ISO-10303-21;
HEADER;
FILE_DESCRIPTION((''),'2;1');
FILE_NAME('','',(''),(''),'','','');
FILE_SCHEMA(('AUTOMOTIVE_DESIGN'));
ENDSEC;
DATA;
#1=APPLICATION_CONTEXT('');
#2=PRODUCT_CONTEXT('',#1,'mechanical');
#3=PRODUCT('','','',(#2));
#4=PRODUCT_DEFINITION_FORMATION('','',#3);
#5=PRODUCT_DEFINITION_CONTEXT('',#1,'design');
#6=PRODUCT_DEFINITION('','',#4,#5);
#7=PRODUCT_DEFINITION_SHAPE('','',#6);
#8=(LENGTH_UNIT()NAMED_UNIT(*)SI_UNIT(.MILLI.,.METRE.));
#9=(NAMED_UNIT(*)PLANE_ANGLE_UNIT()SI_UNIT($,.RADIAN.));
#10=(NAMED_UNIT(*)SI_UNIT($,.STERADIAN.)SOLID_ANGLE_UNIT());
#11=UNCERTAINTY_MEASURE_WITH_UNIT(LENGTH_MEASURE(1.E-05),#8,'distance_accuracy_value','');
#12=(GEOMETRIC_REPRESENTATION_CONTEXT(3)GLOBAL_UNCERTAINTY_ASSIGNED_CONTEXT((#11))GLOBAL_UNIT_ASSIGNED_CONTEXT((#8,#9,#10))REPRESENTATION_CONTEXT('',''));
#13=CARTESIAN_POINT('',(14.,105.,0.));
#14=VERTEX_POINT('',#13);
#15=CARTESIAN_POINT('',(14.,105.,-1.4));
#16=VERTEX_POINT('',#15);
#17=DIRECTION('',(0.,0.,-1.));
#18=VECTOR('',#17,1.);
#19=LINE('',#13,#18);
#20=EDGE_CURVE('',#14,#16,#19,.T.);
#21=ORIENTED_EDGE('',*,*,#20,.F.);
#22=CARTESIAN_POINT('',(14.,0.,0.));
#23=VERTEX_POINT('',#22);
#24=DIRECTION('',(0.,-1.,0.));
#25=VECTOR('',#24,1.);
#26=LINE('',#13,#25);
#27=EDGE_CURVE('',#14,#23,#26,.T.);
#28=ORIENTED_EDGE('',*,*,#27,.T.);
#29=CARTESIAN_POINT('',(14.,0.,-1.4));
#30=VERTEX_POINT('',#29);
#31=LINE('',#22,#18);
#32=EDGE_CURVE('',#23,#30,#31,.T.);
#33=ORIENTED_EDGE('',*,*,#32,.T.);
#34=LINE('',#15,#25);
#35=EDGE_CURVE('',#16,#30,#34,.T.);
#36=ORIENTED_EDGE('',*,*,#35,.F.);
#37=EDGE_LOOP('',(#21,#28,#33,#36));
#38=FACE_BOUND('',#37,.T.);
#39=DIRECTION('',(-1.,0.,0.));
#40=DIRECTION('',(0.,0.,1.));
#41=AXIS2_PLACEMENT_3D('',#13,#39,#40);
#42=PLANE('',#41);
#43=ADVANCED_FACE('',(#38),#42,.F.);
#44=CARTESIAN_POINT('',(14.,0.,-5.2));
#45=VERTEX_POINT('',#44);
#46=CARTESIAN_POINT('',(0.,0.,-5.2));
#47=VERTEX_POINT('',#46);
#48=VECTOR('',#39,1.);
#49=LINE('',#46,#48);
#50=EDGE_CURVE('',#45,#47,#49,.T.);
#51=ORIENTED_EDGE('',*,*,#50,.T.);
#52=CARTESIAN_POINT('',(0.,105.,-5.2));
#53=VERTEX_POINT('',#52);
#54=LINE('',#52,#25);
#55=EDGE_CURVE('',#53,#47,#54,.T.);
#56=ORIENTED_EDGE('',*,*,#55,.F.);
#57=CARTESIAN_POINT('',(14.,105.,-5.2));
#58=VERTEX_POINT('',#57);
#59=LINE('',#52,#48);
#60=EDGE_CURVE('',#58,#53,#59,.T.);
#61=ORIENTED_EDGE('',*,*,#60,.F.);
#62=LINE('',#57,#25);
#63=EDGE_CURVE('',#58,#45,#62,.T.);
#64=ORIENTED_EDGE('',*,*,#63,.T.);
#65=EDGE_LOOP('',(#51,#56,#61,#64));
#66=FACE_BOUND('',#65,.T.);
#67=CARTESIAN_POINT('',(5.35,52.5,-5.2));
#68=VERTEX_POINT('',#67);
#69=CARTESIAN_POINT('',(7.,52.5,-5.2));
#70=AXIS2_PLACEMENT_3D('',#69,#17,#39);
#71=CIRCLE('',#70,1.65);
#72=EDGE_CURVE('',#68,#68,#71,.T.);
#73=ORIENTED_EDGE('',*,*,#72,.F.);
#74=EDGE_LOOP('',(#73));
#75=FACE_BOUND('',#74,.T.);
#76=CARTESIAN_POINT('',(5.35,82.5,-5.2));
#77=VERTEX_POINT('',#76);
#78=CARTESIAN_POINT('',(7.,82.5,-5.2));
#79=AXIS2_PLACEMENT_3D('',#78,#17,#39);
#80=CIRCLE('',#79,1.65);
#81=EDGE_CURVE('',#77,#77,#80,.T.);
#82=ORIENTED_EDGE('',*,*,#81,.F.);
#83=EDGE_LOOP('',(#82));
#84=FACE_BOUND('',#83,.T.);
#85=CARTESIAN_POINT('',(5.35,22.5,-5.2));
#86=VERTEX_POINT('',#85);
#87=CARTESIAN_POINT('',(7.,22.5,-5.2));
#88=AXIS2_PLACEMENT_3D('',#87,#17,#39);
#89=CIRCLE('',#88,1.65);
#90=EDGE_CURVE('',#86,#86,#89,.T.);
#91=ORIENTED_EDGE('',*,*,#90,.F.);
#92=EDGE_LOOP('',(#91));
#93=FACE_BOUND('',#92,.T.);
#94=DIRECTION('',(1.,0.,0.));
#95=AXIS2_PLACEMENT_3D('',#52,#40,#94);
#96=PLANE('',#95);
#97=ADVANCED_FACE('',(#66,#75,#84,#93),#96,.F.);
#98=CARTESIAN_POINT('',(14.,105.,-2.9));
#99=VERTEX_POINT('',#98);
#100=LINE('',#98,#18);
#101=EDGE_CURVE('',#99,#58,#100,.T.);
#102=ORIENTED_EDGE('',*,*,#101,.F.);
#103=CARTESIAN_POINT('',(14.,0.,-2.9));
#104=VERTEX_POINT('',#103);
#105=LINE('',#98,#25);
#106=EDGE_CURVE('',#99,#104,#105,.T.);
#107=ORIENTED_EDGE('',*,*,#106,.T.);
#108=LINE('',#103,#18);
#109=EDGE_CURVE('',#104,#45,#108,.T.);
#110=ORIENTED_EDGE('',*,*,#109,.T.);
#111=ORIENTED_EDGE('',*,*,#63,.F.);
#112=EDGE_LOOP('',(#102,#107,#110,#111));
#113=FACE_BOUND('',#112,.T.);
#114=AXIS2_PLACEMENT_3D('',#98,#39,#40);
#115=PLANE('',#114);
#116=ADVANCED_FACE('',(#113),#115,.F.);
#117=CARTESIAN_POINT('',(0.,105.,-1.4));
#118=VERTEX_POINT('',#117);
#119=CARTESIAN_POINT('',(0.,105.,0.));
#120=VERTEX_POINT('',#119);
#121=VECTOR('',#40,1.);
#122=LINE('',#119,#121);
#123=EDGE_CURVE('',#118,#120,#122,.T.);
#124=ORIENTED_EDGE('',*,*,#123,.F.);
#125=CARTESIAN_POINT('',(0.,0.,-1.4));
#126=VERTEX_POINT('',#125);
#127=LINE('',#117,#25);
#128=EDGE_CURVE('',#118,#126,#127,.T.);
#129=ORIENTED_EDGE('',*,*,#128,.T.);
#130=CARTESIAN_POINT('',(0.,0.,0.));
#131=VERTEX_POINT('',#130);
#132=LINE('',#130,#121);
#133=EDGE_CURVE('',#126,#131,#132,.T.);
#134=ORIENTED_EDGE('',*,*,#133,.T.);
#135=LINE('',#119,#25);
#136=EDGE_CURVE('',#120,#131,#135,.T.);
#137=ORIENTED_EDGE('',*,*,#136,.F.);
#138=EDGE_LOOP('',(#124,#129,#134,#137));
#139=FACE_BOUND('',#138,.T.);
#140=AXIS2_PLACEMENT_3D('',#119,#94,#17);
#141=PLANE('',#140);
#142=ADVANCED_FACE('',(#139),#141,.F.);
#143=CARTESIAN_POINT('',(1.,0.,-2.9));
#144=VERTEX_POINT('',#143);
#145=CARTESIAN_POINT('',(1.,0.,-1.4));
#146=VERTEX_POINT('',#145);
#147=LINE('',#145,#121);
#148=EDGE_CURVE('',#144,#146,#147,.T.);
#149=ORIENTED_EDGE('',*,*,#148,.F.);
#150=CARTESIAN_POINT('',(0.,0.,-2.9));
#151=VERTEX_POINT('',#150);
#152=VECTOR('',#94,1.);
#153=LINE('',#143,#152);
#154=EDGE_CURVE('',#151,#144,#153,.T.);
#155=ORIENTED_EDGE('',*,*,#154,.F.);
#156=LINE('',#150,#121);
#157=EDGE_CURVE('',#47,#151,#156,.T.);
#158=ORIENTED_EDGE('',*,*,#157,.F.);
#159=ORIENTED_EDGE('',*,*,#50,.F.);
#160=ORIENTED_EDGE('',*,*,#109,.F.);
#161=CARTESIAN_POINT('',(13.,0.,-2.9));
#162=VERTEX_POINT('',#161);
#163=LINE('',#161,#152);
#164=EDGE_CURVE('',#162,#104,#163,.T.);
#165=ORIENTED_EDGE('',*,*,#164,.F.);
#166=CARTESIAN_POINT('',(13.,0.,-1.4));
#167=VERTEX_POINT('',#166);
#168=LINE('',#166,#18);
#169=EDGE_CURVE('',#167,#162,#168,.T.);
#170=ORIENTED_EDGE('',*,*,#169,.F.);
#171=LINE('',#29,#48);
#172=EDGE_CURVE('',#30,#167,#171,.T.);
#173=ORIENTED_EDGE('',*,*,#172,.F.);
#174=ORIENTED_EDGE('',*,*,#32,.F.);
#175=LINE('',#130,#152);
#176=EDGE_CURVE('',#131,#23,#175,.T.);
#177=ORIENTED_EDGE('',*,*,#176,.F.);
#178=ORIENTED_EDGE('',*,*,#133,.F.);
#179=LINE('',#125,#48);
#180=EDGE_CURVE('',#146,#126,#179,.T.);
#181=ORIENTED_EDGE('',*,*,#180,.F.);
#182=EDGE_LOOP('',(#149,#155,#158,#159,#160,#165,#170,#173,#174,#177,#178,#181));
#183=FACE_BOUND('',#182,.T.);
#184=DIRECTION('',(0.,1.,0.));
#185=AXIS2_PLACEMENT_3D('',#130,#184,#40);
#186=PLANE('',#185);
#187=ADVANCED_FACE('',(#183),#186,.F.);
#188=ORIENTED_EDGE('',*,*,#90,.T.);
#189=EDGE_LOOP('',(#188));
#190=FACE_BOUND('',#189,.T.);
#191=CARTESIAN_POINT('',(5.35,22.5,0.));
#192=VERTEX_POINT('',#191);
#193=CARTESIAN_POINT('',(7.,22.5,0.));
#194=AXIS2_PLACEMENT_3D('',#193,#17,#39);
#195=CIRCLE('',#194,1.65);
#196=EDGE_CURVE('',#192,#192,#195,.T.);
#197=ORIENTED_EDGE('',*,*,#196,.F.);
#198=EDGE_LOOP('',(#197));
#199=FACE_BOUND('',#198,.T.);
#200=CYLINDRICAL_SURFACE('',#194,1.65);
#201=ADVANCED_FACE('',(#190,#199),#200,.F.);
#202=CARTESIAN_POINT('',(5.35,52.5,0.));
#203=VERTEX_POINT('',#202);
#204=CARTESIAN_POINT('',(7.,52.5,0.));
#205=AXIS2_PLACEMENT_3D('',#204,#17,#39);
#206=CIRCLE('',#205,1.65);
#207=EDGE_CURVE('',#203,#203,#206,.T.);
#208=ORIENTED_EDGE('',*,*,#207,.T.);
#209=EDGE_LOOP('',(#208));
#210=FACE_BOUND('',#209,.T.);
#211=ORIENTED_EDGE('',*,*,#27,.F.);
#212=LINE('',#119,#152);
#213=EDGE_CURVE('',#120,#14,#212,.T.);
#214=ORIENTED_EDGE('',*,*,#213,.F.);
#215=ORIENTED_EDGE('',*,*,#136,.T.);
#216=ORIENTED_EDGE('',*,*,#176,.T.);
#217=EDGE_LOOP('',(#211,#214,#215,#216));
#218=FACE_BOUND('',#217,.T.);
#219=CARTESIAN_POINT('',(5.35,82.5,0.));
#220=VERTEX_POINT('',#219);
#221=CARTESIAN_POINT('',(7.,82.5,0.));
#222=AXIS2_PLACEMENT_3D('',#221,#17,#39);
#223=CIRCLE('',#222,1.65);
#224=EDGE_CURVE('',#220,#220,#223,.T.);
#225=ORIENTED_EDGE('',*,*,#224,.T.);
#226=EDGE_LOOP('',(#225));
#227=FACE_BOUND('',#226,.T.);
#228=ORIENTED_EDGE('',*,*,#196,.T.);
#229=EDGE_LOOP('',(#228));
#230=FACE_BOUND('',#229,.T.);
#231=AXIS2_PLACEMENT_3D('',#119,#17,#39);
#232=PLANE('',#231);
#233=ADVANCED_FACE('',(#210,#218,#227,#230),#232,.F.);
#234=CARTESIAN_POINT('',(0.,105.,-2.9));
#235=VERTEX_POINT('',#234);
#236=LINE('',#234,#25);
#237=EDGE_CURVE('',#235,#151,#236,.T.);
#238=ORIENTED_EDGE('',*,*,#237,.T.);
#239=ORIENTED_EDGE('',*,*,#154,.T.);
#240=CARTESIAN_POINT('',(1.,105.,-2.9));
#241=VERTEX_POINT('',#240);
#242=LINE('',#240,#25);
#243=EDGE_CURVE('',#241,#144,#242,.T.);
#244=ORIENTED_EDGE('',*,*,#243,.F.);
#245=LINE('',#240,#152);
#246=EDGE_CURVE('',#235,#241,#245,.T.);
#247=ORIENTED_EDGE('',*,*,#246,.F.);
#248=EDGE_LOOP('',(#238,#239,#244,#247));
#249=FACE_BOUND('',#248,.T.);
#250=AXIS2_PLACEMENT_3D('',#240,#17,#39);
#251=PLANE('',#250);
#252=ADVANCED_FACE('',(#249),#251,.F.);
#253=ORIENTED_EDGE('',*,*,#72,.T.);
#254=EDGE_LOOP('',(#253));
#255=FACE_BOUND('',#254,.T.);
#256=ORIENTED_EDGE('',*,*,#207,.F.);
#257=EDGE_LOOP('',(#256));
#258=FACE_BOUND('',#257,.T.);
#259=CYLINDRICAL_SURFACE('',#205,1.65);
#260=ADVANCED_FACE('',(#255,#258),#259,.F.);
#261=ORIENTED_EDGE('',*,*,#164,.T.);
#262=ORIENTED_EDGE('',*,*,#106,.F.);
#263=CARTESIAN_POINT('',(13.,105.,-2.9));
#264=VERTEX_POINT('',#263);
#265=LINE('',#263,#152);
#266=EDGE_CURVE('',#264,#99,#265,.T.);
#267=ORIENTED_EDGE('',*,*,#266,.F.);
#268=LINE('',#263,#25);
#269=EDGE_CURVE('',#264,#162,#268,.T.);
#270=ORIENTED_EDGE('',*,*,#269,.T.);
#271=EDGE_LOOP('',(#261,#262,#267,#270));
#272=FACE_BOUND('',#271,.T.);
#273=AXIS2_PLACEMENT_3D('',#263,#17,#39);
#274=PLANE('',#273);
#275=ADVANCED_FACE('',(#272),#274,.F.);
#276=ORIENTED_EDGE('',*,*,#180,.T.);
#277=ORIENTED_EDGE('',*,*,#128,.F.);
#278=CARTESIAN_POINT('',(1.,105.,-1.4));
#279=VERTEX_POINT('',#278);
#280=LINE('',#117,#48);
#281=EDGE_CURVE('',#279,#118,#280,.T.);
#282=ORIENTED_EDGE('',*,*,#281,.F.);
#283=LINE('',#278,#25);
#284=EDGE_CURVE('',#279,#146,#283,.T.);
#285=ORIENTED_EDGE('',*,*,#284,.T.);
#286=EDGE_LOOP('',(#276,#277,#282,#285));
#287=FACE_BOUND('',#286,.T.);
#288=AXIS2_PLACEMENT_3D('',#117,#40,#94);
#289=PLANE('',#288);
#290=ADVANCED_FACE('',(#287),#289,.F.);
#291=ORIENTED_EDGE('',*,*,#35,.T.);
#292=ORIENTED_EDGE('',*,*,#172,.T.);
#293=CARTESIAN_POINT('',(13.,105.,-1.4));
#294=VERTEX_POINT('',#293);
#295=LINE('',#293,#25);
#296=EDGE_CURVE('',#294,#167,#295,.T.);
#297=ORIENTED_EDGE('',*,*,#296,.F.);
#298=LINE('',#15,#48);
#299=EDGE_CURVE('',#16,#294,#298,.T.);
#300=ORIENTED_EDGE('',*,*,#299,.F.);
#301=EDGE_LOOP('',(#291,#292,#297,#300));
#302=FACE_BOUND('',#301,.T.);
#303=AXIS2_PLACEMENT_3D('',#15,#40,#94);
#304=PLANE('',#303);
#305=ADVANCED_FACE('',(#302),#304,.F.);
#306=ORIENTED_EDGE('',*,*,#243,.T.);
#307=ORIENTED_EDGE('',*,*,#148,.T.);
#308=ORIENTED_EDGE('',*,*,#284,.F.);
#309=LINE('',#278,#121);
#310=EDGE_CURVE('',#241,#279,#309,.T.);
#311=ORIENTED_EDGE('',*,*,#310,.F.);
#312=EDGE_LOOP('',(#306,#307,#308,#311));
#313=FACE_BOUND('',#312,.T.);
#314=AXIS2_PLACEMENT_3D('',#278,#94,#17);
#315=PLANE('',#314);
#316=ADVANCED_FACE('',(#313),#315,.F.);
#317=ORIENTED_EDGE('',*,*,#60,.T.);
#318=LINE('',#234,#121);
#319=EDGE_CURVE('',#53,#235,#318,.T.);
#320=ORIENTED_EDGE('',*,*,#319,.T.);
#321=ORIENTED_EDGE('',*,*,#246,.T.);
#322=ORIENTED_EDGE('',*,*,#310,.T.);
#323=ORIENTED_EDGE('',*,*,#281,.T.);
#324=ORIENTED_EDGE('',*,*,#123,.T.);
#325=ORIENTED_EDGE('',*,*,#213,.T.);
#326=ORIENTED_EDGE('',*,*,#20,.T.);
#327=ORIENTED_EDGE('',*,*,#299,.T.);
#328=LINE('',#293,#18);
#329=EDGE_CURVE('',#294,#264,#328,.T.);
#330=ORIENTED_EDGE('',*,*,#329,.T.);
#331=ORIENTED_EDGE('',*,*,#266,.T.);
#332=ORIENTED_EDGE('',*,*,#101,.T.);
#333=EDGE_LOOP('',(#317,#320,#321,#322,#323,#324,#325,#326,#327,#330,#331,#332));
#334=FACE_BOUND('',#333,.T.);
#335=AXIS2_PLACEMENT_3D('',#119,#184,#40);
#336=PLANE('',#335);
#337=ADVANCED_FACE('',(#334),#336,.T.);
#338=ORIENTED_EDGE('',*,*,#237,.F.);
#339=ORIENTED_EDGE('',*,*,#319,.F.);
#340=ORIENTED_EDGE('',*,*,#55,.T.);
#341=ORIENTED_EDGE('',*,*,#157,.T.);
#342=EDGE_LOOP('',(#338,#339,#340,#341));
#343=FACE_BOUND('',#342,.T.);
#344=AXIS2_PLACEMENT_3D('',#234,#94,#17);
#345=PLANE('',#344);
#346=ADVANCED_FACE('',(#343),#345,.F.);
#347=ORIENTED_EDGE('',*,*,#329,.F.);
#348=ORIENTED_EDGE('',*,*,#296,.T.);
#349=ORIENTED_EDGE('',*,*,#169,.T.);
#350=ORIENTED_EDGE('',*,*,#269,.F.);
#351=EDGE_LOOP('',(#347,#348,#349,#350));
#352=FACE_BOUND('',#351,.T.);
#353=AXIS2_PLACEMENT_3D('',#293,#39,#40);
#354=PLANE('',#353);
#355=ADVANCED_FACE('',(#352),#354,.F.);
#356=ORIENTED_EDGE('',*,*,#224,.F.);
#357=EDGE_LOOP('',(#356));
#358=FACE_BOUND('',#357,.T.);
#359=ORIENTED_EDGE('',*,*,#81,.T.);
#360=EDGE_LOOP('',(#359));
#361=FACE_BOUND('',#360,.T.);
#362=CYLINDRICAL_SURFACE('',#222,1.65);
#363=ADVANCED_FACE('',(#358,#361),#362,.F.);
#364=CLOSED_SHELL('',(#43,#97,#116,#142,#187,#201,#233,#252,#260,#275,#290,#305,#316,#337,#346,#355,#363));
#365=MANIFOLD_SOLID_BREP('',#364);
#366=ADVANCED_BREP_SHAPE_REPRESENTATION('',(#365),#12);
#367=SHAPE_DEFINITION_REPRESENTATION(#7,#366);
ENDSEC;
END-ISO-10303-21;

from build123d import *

# Parameters (mm, degrees)
EXTRUDE_1_DEPTH     = 105
SKETCH_2_R          = 1.65
CUT_EXTRUDE_1_DEPTH = 107.056777247


with BuildPart() as part:
    # 草图1 → 凸台-拉伸1 (new body)
    with BuildSketch(Plane(origin=(0, 0, 0), x_dir=(1, 0, 0), z_dir=(0, 1, 0))):
        Polygon((0, 0), (0, 1.4), (1, 1.4), (1, 2.9), (0, 2.9), (0, 5.2), (14, 5.2), (14, 2.9), (13, 2.9), (13, 1.4), (14, 1.4), (14, 0), align=None)
    extrude(amount=EXTRUDE_1_DEPTH)

    # 草图2 → 切除-拉伸1 (cut, through all)
    with BuildSketch(Plane(origin=(0, 0, -5.2), x_dir=(-1, 0, 0), z_dir=(0, 0, -1))):
        with Locations((-7, 52.5)):
            Circle(SKETCH_2_R)
        with Locations((-7, 82.5)):
            Circle(SKETCH_2_R)
        with Locations((-7, 22.5)):
            Circle(SKETCH_2_R)
    extrude(amount=-CUT_EXTRUDE_1_DEPTH, mode=Mode.SUBTRACT)


solid = part.part
